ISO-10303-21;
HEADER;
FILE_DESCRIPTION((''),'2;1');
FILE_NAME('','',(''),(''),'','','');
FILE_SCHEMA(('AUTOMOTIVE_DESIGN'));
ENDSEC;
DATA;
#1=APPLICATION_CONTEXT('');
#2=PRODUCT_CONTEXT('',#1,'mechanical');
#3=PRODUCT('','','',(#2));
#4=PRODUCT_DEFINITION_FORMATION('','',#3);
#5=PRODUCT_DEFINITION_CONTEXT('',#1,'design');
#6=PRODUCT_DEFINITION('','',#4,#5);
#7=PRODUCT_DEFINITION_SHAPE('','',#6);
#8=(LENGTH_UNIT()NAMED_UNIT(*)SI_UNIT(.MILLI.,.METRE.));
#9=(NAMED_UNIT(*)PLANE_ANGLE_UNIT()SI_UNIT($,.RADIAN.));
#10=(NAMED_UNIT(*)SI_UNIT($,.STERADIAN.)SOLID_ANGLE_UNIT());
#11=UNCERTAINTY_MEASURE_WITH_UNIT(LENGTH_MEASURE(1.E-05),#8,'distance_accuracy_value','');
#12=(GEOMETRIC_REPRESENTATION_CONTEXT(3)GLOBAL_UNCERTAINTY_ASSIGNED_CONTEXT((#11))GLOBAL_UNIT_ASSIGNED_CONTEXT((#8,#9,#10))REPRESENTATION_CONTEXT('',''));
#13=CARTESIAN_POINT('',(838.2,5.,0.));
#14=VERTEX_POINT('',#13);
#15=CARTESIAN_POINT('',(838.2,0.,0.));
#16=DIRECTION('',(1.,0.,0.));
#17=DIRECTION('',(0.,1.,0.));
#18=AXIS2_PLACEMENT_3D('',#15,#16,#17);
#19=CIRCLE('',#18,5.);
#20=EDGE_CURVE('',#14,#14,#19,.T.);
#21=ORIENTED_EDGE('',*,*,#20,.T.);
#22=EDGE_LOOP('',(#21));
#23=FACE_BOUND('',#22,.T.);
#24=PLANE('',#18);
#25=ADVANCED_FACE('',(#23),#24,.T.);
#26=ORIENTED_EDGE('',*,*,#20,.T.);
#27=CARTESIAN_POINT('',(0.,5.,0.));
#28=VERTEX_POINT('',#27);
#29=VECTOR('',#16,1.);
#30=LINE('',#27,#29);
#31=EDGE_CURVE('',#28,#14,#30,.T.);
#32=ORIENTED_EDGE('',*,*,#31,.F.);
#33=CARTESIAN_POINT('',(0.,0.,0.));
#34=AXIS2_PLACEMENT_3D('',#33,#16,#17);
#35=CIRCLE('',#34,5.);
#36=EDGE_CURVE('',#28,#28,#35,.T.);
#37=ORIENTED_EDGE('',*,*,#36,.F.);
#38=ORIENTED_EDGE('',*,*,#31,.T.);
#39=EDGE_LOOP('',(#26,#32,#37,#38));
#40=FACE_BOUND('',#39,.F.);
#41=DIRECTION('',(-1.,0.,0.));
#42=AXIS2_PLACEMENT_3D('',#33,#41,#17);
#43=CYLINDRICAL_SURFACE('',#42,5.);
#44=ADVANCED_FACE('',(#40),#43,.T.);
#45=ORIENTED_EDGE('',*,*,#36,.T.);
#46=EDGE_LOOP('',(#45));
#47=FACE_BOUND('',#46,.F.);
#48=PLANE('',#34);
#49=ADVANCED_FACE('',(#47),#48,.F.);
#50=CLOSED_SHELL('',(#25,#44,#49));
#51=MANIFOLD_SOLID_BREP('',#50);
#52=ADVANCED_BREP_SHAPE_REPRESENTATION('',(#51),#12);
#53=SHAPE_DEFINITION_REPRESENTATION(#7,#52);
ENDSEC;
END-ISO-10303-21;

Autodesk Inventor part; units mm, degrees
ref_plane "YZ Plane" through (0, 0, 0) normal (1, 0, 0) x (0, 1, 0)
ref_plane "XZ Plane" through (0, 0, 0) normal (0, 1, 0) x (-1, 0, 0)
ref_plane "XY Plane" through (0, 0, 0) normal (0, 0, 1) x (1, 0, 0)
sketch "Sketch1" plane through (0, 0, 0) normal (1, 0, 0) x (0, 1, 0)
  circle A0 centre (0, 0) radius 5
  dimension "d0" = 10
extrude "Extrusion1" add sketch "Sketch1" along normal blind 838.2
properties part number "10mm Rail"
